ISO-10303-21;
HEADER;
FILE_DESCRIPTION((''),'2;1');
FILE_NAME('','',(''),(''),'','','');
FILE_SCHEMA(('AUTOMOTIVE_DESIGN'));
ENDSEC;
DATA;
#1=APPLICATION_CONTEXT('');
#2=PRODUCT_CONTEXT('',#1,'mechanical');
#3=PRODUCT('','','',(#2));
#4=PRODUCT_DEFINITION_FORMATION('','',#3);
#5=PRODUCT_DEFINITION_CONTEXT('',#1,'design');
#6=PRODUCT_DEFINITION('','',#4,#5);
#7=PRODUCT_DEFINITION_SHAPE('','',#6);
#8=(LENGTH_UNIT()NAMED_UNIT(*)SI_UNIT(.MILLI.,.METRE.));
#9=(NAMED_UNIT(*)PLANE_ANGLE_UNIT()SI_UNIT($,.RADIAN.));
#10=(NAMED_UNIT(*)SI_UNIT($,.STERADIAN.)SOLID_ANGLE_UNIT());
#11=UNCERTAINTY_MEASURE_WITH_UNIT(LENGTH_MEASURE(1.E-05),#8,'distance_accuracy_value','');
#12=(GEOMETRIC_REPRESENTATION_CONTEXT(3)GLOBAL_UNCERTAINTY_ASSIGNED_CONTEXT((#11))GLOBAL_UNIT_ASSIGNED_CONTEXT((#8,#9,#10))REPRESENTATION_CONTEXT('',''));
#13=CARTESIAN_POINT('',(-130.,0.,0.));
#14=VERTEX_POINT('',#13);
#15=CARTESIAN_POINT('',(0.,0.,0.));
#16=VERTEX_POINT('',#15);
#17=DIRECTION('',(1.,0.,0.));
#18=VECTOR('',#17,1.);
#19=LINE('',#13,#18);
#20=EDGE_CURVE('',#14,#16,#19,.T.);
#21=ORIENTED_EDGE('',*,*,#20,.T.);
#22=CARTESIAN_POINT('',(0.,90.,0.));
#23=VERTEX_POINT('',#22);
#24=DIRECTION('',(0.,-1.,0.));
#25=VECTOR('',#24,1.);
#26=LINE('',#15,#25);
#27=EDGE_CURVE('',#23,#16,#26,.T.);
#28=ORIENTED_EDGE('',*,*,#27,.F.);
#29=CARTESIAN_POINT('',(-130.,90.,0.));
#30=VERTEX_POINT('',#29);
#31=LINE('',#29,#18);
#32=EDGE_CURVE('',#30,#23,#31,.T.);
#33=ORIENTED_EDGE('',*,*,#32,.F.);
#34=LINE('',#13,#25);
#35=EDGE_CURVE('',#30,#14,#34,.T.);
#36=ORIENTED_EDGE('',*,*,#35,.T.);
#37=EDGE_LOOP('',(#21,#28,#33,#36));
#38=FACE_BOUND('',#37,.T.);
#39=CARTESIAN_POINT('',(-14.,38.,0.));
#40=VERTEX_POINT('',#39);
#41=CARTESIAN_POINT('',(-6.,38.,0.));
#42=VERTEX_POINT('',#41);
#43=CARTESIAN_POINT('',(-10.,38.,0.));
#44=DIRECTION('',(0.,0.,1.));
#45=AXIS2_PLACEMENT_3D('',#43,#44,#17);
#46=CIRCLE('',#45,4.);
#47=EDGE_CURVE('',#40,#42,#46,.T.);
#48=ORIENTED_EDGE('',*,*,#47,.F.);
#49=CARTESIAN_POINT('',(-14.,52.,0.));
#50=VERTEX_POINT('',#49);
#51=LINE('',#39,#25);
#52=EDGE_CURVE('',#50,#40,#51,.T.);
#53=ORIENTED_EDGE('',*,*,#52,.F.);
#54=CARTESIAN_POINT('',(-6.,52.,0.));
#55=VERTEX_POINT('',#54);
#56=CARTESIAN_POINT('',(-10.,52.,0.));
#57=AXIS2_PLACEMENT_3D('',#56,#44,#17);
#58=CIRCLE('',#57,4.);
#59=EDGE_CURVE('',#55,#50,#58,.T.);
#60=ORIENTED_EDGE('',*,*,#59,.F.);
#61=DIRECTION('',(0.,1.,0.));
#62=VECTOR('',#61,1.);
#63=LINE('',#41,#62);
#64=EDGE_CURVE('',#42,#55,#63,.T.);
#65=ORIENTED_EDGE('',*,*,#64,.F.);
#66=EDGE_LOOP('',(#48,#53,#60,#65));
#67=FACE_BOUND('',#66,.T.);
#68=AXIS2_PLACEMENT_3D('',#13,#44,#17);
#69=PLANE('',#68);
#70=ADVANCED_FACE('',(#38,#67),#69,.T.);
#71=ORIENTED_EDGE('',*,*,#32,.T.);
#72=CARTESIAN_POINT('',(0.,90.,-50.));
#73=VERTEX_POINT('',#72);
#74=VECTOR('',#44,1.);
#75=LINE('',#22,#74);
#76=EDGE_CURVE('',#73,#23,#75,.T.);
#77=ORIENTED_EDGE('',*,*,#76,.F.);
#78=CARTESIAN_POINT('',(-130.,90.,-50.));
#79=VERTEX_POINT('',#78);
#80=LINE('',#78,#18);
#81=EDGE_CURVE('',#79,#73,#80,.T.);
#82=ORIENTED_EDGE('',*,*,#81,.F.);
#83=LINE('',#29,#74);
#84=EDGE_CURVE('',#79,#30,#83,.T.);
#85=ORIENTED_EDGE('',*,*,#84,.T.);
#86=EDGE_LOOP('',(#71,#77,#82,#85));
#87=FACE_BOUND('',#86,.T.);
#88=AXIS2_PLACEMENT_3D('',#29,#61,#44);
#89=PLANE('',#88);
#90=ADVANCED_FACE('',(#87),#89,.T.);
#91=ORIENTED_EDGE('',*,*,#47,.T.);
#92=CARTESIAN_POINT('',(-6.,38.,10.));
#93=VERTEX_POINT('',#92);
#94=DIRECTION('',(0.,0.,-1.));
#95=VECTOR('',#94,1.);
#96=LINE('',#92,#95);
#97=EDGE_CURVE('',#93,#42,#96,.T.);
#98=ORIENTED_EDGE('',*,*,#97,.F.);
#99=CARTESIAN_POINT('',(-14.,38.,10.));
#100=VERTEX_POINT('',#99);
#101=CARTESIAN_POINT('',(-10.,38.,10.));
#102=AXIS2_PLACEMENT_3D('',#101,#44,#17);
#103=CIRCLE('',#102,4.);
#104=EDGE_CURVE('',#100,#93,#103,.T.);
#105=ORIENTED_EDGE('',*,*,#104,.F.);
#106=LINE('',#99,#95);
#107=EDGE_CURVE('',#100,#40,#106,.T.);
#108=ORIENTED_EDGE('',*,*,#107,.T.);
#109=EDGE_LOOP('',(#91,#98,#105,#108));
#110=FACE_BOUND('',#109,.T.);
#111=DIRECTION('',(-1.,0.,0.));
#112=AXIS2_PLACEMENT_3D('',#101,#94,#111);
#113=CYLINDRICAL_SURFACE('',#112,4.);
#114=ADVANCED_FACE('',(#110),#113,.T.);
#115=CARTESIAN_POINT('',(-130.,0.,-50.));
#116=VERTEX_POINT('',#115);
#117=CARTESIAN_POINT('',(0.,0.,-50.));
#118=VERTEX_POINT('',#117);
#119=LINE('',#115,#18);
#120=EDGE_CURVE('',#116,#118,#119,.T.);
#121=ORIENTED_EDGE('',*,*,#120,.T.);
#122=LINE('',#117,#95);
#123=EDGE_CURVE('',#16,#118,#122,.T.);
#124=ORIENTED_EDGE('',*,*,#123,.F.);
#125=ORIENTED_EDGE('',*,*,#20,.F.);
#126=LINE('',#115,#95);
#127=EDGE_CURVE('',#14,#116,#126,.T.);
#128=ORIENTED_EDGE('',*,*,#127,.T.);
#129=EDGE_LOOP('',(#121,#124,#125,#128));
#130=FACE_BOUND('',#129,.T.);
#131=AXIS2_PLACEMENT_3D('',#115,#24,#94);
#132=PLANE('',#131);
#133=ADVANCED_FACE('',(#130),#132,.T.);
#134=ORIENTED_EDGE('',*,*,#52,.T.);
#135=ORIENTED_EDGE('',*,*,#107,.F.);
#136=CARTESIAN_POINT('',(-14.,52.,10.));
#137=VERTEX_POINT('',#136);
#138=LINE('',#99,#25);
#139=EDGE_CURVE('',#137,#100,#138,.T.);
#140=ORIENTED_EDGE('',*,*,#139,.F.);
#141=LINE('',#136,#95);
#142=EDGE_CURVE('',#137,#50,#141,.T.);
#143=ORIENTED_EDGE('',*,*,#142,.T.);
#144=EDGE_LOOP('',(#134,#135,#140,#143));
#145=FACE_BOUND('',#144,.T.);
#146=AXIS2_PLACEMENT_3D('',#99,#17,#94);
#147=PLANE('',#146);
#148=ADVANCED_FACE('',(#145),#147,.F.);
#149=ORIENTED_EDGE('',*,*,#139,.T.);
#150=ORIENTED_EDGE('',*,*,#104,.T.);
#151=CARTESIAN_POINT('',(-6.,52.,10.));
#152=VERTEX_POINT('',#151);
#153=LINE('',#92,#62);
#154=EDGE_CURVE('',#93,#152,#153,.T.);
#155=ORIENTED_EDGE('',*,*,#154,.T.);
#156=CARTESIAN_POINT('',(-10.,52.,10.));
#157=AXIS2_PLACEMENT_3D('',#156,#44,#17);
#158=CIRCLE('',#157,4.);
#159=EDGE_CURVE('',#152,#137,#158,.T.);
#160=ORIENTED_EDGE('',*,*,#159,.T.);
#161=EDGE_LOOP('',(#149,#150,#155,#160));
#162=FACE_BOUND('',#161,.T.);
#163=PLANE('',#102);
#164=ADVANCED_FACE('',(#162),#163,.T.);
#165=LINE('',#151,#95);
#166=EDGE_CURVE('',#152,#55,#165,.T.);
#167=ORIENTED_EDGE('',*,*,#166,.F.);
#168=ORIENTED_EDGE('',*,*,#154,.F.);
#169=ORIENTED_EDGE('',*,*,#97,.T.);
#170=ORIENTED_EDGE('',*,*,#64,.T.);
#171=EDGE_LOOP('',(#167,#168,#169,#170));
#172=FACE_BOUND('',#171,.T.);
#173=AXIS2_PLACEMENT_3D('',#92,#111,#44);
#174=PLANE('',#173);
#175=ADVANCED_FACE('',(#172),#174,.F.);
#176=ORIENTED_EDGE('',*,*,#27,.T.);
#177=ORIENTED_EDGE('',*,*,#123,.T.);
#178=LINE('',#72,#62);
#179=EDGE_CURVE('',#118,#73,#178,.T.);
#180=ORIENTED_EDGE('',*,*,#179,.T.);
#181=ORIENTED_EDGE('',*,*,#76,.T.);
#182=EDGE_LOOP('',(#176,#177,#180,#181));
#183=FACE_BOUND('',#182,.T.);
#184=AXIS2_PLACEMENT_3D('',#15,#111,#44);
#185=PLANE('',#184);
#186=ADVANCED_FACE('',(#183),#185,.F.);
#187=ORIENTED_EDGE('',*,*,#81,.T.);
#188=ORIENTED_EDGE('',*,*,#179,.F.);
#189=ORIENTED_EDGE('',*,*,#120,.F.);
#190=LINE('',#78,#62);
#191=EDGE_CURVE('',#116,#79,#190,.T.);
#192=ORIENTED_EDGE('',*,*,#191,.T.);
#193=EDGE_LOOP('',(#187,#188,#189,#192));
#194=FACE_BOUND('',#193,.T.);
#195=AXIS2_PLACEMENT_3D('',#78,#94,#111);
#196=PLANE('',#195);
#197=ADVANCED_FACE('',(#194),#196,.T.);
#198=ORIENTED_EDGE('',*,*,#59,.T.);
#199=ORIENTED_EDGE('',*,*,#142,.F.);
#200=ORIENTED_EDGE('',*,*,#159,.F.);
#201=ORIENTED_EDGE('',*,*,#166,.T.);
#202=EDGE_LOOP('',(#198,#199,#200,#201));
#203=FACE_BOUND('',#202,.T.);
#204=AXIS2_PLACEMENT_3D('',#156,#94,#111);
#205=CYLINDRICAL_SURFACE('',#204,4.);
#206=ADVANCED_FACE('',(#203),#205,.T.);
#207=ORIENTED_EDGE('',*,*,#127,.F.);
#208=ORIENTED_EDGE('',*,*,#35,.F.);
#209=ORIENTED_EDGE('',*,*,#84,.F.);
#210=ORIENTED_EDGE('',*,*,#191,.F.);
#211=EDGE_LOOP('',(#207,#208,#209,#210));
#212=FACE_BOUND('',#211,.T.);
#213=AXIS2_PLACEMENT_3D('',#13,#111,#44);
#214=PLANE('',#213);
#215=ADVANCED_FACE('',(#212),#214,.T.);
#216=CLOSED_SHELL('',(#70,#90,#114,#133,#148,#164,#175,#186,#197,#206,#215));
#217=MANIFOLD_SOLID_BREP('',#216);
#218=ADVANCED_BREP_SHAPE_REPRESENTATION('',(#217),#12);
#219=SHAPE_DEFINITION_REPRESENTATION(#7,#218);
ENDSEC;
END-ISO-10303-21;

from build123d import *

# Parameters (mm, degrees)
SKETCH_1_W      = 50
SKETCH_1_H      = 90
EXTRUDE_1_DEPTH = 130
EXTRUDE_2_DEPTH = 10


with BuildPart() as part:
    # Эскиз1 → Бобышка-Вытянуть1 (new body)
    with BuildSketch(Plane(origin=(0, 0, 0), x_dir=(0, 0, -1), z_dir=(1, 0, 0))):
        with Locations((25, 45)):
            Rectangle(SKETCH_1_W, SKETCH_1_H)
    extrude(amount=-EXTRUDE_1_DEPTH)

    # Эскиз2 → Бобышка-Вытянуть2 (add)
    with BuildSketch(Plane.XY):
        with BuildLine():
            Line((-14, 38), (-14, 52))
            ThreePointArc((-14, 52), (-10, 56), (-6, 52))
            Line((-6, 52), (-6, 38))
            ThreePointArc((-6, 38), (-10, 34), (-14, 38))
        make_face()
    extrude(amount=EXTRUDE_2_DEPTH)


solid = part.part
